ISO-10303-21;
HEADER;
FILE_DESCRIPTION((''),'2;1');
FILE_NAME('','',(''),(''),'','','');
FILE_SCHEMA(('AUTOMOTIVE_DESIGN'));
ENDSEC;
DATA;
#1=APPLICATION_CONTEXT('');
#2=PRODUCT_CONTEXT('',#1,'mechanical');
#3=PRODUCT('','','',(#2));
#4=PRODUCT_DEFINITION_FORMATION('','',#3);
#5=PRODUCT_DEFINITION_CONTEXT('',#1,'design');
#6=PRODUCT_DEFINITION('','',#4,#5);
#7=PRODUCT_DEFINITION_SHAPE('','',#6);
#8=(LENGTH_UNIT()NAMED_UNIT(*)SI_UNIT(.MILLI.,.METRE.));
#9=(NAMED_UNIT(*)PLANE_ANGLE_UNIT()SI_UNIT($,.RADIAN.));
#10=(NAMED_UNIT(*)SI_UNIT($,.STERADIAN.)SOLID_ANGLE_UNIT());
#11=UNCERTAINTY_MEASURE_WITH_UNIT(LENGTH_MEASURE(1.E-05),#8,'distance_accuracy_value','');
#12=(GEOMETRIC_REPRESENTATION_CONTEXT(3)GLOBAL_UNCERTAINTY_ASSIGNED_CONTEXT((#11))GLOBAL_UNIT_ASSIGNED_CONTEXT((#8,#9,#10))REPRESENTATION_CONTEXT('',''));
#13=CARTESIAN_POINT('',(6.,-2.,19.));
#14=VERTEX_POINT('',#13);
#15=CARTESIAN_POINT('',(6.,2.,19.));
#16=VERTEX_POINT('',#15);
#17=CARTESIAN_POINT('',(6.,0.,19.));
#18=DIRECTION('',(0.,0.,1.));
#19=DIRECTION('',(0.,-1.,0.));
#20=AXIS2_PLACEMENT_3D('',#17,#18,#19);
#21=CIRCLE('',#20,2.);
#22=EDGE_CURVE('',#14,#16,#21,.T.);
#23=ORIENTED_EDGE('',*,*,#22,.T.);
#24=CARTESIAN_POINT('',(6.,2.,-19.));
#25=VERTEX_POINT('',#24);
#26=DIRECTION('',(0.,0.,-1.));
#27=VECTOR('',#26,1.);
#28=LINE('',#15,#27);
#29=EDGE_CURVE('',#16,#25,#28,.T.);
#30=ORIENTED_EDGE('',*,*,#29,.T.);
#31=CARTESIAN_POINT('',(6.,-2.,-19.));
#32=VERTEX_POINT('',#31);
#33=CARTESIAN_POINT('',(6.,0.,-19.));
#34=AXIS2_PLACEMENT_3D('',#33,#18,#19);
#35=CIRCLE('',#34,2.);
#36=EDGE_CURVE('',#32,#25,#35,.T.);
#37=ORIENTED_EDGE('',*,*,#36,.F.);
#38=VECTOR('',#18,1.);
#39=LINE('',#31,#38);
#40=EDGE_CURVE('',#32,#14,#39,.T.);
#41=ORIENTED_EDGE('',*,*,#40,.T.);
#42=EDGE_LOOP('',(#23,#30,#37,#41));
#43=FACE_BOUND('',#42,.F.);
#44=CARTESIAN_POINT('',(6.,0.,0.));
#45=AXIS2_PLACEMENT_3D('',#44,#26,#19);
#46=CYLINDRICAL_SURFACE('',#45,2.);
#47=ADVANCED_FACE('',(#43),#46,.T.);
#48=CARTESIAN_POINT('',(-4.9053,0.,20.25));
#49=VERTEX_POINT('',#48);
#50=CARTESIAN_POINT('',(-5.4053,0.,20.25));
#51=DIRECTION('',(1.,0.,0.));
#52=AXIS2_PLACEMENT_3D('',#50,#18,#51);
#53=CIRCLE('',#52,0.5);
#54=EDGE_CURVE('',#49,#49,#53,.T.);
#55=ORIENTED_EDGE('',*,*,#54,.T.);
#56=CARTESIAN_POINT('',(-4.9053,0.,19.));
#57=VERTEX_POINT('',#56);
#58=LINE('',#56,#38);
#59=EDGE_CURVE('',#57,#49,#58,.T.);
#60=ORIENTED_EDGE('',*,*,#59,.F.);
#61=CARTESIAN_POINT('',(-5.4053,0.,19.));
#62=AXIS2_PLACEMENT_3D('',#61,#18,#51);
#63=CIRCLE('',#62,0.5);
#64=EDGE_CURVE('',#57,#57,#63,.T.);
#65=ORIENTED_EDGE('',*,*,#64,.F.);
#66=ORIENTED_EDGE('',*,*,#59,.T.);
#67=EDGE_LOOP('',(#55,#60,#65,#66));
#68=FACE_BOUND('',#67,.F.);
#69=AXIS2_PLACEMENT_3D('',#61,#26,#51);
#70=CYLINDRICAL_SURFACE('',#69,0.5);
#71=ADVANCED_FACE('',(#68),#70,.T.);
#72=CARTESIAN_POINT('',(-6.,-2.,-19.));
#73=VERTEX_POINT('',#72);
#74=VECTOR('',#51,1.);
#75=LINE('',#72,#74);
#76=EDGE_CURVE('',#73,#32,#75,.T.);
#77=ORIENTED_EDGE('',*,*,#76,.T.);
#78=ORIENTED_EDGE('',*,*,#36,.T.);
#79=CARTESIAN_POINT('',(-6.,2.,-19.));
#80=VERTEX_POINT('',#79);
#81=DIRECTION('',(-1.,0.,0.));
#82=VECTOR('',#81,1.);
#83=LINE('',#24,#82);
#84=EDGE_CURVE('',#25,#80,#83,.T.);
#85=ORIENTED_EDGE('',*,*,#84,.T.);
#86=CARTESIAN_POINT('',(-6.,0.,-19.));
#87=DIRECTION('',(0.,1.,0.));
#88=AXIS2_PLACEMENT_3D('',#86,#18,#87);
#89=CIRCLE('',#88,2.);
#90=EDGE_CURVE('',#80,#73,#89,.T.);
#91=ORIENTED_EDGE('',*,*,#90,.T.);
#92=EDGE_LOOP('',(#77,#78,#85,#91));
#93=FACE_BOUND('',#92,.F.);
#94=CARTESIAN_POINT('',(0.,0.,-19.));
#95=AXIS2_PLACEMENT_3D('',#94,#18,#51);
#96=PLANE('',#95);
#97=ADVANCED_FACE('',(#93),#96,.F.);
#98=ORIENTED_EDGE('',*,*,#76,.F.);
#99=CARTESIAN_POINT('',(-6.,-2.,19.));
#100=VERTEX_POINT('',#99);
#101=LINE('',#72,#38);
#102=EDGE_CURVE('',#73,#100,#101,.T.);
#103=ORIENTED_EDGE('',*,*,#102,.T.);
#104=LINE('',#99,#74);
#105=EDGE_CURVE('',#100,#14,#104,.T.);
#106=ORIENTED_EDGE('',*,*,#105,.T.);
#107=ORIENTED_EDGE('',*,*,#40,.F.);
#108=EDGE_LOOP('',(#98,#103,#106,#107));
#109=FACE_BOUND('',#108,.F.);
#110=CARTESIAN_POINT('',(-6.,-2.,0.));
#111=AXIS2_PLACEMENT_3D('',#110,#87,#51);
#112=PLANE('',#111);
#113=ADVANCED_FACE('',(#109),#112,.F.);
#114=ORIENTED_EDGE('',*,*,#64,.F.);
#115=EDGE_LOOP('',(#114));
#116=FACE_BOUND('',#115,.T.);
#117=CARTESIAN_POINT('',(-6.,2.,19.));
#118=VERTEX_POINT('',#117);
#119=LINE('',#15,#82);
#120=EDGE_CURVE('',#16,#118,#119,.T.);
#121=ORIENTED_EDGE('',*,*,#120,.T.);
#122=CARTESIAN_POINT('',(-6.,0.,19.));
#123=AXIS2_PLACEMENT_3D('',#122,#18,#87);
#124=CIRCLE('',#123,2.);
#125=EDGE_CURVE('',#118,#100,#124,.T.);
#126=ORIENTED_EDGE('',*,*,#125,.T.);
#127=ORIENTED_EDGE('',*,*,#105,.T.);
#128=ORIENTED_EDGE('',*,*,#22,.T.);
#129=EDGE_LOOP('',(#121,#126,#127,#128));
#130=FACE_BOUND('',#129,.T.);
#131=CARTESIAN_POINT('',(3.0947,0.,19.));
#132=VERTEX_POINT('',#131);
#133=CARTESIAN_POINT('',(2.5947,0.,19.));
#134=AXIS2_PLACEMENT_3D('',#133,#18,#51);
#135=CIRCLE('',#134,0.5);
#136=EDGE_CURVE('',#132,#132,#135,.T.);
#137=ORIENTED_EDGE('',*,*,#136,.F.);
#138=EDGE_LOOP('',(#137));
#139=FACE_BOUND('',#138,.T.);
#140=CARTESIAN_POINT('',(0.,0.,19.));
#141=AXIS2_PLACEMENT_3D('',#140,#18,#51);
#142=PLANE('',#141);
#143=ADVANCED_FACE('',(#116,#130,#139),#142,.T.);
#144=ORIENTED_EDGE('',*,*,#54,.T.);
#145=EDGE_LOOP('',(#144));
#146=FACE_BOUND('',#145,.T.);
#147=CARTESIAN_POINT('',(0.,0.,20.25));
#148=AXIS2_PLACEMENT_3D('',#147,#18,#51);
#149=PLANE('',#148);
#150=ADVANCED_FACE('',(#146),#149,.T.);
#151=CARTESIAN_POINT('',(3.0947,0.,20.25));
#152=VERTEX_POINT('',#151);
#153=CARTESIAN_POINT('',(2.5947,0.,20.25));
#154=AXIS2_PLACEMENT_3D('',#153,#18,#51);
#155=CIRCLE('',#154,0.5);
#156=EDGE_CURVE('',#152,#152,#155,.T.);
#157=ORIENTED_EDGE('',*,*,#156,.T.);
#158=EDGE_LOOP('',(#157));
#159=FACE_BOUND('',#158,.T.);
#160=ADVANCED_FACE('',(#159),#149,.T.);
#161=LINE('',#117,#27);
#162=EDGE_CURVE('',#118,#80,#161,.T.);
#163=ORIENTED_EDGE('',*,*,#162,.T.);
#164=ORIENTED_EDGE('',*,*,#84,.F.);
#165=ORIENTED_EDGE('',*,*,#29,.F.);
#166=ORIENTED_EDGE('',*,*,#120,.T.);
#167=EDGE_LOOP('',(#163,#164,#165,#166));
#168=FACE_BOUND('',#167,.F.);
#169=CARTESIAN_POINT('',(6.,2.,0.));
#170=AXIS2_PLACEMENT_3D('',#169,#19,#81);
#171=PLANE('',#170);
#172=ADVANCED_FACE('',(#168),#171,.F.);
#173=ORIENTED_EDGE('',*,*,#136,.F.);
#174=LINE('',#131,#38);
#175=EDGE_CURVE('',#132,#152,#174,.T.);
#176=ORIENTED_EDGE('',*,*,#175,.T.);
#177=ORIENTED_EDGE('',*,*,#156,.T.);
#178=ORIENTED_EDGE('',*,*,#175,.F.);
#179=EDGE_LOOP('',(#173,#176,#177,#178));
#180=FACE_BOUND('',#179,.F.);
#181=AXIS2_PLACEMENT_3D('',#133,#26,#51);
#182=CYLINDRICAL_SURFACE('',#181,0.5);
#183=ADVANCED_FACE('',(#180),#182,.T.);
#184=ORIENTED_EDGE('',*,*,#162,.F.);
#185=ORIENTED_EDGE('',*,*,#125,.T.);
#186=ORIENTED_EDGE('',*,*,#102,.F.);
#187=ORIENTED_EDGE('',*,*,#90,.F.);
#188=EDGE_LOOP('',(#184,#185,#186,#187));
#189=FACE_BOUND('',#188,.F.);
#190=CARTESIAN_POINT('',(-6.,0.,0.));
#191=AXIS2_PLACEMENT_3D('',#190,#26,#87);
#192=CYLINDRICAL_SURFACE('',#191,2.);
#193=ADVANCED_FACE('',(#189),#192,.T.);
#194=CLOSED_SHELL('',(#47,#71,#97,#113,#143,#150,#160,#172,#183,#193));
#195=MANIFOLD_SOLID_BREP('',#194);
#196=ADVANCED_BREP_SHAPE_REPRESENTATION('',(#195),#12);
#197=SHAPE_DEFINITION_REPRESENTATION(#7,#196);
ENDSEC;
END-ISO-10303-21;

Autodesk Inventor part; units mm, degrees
ref_plane "YZ Plane" through (0, 0, 0) normal (1, 0, 0) x (0, 1, 0)
ref_plane "XZ Plane" through (0, 0, 0) normal (0, 1, 0) x (-1, 0, 0)
ref_plane "XY Plane" through (0, 0, 0) normal (0, 0, 1) x (1, 0, 0)
sketch "Sketch1" plane through (0, 0, 0) normal (0, 0, 1) x (1, 0, 0)
  line L0 (-6, 0) -> (6, 0) construction
  line L1 (-6, -2) -> (6, -2)
  line L2 (6, 2) -> (-6, 2)
  arc A0 (-6, 2) -> (-6, -2) centre (-6, 0) ccw
  arc A1 (6, -2) -> (6, 2) centre (6, 0) ccw
  point P0 (0, 0)
  point P1 (0, 0)
  point P2 (-8, 0)
  point P3 (8, 0)
  dimension "d0" = 4
  dimension "d1" = 16
extrude "Extrusion1" add sketch "Sketch1" along normal mid plane 38
sketch "Sketch2" plane through (0, 0, 19) normal (0, 0, 1) x (1, 0, 0)
  circle A0 centre (2.5947, 0) radius 0.5
  circle A1 centre (-5.4053, 0) radius 0.5
  point P0 (0, 0)
  dimension "d4" = 8
  dimension "d5" = 1
extrude "Extrusion2" add sketch "Sketch2" along normal blind 1.25
properties part number "battery"
